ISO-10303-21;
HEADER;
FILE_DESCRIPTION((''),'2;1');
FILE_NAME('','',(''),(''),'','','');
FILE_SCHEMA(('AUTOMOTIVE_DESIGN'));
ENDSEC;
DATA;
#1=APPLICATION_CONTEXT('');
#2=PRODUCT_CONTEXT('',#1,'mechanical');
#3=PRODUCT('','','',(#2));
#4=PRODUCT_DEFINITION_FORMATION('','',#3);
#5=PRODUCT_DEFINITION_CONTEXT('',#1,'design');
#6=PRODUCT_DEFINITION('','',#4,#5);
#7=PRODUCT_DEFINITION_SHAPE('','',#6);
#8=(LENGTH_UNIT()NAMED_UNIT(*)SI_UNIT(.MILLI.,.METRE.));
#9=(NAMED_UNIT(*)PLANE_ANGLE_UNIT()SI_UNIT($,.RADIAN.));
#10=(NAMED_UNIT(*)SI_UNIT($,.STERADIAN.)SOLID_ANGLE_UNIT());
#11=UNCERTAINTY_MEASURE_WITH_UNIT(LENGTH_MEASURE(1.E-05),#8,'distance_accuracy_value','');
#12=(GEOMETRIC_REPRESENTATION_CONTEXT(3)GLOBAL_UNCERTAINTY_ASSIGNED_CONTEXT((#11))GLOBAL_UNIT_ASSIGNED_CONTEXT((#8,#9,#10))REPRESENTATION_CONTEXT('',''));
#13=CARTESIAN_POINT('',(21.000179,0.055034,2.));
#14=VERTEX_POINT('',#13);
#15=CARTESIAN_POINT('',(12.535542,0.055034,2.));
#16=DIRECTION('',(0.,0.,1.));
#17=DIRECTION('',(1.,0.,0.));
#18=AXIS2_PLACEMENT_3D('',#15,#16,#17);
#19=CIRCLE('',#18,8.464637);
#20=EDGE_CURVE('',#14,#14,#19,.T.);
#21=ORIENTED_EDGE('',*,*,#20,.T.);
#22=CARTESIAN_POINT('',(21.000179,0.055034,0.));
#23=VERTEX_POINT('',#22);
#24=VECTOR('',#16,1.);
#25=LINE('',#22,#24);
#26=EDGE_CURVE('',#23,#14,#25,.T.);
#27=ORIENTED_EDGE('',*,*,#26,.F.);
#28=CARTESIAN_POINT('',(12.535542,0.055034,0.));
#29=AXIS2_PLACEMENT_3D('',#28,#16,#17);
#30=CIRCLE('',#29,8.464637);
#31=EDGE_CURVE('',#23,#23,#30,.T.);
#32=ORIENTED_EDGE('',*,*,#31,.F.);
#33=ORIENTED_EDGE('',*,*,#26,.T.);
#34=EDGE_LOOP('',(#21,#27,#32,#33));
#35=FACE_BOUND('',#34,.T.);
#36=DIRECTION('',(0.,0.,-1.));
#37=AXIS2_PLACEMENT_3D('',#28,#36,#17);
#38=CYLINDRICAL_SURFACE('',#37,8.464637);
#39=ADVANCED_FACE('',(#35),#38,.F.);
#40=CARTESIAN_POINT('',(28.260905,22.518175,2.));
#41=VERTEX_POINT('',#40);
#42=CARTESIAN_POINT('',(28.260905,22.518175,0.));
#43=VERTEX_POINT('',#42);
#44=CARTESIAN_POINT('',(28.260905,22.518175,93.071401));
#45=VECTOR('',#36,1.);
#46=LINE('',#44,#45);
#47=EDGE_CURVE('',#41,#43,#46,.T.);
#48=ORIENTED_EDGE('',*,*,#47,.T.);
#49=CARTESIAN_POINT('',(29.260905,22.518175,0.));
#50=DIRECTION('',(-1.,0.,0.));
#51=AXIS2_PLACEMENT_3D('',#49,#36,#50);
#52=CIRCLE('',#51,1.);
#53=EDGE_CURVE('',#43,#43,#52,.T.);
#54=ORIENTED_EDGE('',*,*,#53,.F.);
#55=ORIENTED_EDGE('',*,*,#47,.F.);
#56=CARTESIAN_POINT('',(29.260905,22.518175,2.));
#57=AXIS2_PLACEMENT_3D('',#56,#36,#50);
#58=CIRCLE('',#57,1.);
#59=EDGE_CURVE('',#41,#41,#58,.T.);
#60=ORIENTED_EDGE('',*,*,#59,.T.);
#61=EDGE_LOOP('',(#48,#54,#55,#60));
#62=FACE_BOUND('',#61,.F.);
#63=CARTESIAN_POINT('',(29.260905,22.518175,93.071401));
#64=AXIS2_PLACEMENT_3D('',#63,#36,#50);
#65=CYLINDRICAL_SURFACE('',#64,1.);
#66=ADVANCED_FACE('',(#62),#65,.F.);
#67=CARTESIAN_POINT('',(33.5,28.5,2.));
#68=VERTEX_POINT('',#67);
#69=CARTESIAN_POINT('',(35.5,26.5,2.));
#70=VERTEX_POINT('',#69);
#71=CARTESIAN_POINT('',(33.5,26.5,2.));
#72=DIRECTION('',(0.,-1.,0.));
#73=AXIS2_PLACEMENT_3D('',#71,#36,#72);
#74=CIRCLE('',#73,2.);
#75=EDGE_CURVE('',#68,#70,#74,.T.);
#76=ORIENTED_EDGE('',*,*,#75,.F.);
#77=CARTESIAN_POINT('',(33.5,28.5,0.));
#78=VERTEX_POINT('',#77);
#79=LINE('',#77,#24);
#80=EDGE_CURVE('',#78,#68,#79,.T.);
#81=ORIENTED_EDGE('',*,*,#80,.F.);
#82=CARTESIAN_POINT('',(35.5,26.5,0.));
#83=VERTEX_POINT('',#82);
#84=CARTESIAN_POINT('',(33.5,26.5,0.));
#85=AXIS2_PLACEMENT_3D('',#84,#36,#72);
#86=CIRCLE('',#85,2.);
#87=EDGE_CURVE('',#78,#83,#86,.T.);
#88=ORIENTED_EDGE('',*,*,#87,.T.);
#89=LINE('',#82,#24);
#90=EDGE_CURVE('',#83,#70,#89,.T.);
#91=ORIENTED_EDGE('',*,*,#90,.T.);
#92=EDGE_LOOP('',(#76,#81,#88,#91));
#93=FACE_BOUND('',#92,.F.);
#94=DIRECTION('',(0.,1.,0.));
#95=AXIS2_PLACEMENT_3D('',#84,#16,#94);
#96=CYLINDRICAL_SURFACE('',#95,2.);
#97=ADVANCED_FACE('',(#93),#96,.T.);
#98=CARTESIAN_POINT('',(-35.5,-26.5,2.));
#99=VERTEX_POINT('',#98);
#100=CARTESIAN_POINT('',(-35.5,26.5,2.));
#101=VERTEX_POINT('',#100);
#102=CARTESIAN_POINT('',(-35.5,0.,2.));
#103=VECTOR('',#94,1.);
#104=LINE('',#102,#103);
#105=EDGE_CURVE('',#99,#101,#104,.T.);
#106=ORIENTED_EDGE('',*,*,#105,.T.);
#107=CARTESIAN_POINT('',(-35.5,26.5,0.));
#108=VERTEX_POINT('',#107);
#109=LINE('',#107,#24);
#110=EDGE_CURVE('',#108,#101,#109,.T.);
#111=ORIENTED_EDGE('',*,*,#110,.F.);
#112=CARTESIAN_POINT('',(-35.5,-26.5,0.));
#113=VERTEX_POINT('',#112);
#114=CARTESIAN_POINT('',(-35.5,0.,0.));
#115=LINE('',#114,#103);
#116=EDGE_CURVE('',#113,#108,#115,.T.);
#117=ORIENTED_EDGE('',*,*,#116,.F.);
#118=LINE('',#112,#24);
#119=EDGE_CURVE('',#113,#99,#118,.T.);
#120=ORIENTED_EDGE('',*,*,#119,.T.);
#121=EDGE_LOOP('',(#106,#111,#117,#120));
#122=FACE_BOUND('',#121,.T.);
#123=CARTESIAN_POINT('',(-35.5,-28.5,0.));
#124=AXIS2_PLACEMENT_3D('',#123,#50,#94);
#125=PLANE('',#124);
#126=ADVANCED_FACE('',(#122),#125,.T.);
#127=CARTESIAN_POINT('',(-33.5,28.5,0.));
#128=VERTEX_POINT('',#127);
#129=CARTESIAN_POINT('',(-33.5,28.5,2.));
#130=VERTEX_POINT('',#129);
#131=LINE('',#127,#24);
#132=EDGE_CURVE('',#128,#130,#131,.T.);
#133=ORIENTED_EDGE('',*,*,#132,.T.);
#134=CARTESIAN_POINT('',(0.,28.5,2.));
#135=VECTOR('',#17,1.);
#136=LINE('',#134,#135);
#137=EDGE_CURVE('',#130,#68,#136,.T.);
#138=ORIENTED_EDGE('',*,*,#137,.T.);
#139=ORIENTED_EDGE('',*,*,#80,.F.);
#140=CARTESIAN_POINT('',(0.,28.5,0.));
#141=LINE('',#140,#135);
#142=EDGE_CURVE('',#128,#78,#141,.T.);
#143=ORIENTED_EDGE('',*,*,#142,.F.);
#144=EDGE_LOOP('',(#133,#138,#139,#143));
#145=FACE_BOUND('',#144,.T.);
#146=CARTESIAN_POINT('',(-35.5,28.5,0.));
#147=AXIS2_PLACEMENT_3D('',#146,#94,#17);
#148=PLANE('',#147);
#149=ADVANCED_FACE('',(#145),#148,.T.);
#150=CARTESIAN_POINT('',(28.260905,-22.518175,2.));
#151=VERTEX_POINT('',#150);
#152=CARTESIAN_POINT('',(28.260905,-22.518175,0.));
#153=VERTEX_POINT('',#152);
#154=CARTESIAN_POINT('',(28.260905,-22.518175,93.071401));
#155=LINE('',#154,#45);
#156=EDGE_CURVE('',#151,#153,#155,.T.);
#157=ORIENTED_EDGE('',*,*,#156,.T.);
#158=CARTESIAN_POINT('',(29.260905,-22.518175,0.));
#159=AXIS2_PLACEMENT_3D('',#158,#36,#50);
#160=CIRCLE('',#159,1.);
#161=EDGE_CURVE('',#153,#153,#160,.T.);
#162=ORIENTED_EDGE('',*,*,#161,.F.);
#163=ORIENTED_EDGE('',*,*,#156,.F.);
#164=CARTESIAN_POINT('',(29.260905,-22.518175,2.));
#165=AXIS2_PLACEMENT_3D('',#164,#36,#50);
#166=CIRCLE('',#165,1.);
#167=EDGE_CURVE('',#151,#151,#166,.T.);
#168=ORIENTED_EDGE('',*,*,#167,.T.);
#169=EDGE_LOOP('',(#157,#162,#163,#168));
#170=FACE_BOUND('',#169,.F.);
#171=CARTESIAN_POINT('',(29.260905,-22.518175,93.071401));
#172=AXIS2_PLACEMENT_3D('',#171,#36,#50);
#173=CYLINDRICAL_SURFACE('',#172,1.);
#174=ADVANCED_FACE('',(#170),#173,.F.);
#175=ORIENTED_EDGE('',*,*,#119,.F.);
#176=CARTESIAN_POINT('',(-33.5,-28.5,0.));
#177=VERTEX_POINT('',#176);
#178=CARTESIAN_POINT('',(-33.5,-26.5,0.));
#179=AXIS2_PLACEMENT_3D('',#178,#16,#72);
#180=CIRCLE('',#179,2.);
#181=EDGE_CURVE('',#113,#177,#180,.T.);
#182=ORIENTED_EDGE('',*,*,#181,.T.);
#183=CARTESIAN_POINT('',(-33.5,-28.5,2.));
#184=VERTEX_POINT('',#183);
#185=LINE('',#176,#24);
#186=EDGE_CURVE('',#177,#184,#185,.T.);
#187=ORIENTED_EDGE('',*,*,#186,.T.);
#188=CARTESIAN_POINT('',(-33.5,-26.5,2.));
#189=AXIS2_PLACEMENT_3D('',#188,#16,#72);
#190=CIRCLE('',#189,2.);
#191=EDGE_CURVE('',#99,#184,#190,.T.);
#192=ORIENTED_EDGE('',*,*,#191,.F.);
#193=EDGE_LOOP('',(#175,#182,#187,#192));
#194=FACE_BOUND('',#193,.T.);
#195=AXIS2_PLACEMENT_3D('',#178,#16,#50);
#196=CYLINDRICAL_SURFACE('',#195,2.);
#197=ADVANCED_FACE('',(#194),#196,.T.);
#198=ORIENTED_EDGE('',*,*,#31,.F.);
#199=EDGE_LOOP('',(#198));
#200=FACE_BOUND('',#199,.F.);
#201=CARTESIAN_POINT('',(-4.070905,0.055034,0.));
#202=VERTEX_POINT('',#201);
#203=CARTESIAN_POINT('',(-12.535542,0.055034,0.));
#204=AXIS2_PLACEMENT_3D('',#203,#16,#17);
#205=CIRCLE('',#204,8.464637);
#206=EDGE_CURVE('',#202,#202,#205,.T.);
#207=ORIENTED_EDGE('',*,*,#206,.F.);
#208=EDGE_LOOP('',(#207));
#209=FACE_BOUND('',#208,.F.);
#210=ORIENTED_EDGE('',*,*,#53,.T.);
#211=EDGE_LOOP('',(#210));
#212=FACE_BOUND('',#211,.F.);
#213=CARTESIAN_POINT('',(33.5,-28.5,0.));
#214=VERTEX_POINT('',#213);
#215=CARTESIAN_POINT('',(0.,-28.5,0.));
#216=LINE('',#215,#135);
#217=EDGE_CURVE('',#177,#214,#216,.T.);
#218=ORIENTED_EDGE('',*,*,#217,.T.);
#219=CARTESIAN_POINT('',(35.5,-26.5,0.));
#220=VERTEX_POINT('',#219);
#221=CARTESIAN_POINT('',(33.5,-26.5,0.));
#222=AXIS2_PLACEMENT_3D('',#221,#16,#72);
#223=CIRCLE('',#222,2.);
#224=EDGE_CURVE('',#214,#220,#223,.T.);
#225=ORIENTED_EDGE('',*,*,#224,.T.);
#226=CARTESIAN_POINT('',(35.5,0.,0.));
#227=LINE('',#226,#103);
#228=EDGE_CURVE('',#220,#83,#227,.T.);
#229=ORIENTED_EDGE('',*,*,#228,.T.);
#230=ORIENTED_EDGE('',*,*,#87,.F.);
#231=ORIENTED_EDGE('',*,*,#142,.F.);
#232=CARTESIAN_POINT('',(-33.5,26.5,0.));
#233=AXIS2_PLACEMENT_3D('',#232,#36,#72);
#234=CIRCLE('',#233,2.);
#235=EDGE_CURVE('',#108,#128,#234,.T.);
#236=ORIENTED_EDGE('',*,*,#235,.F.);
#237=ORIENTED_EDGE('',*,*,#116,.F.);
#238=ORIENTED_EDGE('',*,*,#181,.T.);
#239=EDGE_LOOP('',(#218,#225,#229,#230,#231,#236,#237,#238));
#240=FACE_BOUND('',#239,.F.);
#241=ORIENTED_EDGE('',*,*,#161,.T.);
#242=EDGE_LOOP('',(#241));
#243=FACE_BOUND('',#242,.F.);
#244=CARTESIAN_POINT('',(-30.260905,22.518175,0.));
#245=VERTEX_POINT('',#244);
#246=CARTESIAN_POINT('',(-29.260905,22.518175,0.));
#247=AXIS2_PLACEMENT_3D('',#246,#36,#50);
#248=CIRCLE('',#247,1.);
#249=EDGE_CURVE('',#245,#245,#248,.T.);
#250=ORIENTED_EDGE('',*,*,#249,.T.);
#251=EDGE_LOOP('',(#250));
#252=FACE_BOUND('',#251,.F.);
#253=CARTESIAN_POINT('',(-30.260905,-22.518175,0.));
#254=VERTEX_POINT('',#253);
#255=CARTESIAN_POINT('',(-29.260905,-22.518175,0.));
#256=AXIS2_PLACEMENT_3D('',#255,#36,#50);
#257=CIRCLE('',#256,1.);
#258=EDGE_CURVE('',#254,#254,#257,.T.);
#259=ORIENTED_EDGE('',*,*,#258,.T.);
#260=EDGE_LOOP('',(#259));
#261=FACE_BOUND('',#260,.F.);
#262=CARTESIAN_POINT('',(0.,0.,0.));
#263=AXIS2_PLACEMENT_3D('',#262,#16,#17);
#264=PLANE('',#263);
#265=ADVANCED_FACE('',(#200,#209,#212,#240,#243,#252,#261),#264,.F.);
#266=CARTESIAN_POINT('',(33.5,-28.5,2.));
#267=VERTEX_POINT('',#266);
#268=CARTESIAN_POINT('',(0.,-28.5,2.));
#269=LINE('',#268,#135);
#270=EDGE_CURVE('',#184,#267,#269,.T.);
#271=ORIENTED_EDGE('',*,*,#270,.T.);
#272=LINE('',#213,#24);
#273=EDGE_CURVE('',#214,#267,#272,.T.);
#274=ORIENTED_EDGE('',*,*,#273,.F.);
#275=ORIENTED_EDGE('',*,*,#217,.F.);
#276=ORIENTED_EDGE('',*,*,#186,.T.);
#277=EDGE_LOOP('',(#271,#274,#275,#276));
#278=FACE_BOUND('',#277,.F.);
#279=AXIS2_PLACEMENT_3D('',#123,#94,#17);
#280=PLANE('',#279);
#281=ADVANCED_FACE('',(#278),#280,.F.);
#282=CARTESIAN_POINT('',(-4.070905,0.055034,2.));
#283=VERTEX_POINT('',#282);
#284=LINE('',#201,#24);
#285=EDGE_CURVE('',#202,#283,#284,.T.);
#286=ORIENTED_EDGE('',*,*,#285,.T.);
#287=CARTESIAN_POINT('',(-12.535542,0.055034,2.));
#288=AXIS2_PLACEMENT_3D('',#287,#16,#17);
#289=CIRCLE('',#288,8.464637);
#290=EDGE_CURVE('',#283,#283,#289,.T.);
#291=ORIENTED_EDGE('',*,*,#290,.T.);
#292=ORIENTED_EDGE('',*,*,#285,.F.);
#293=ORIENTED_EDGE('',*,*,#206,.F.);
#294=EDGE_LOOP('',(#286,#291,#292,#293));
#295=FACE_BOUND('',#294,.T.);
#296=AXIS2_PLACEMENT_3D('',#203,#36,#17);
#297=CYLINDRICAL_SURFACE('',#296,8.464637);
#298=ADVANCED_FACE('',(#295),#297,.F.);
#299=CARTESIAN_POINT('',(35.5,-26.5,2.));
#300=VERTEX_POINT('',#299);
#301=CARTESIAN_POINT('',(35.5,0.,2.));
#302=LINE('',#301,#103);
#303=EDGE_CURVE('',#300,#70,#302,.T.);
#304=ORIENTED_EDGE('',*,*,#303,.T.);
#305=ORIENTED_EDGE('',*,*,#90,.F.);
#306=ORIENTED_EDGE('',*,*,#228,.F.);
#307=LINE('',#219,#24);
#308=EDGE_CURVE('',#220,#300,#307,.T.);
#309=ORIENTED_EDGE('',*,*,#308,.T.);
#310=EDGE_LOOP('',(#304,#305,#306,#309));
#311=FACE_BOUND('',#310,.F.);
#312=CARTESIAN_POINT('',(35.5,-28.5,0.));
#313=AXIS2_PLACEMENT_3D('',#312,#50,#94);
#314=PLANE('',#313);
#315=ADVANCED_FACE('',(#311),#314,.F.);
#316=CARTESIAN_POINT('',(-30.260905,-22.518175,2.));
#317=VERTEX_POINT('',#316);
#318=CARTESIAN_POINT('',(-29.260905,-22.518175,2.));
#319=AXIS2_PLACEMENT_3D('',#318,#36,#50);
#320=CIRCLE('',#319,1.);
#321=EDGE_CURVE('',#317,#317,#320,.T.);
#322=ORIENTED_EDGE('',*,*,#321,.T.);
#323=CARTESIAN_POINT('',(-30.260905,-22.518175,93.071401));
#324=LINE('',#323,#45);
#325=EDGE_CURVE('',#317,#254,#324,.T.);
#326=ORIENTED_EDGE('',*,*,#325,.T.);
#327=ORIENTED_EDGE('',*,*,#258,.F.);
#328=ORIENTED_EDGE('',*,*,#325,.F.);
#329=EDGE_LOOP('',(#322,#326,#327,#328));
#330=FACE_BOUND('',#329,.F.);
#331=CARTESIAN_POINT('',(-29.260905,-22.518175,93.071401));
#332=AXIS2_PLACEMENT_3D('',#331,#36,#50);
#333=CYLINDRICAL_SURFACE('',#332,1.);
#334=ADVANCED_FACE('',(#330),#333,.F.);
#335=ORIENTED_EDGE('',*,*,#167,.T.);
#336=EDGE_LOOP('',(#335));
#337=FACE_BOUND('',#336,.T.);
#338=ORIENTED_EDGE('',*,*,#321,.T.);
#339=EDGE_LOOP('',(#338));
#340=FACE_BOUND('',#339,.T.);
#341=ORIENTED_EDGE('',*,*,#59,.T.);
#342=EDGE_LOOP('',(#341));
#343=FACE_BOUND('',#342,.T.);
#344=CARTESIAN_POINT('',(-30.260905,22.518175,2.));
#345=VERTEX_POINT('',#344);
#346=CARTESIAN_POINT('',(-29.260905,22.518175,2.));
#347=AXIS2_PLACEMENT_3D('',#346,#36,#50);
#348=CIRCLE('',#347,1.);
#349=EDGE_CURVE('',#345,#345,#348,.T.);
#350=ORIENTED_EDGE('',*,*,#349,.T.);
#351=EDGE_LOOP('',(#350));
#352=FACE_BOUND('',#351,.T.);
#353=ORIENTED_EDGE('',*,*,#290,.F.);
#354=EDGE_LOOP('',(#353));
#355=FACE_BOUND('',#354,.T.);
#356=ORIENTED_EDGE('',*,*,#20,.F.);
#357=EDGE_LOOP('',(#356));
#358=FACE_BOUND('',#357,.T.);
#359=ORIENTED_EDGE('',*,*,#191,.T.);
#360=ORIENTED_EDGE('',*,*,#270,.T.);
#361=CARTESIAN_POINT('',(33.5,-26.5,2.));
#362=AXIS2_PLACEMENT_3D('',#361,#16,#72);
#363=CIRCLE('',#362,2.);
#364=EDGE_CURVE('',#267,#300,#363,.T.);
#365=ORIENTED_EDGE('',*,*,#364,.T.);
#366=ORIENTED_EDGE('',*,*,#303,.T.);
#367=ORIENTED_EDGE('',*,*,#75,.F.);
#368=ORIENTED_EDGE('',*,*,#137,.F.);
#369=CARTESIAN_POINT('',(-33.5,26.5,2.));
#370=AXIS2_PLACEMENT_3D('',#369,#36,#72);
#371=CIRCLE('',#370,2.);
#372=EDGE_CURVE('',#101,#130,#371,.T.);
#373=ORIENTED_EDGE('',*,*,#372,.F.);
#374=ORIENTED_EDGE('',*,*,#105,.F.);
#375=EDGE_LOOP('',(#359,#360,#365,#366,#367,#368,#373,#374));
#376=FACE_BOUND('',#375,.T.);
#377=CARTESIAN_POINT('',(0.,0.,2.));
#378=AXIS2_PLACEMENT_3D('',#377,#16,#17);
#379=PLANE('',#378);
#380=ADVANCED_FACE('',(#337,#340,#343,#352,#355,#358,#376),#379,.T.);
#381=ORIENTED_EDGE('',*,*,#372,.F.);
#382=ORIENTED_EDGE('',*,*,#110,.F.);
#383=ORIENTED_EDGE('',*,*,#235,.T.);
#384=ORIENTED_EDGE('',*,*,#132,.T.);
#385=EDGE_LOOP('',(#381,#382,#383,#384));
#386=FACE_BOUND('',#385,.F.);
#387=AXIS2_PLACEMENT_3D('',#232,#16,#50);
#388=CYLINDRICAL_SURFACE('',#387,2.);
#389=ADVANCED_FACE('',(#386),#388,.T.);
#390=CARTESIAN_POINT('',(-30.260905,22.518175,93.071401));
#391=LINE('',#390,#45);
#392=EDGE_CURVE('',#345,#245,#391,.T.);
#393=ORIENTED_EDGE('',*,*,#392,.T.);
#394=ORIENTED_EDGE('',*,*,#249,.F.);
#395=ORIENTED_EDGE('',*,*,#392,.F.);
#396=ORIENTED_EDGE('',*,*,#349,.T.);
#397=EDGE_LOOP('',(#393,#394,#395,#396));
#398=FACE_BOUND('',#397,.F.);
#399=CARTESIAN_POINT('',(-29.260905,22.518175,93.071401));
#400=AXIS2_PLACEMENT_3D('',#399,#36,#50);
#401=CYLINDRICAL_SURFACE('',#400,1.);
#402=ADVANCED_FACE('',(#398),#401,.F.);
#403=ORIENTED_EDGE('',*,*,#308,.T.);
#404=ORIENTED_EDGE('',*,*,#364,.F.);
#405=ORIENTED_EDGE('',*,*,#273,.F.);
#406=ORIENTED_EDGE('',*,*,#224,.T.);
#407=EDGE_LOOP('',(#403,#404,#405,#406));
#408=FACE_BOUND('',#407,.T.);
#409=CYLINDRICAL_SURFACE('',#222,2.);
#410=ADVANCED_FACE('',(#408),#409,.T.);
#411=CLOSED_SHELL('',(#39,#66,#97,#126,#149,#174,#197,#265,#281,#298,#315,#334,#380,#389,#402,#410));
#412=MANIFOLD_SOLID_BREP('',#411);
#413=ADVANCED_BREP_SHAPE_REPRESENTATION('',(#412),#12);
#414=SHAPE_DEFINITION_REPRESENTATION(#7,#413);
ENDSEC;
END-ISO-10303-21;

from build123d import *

# Parameters (mm, degrees)
F0_W     = 71
F0_H     = 57
F0_R     = 8.464637
F1_DEPTH = 2
F2_R     = 2
F4_D     = 2


with BuildPart() as f1:
    # F0 (on Top) → F1 (new body)
    with BuildSketch(Plane.XY):
        Rectangle(F0_W, F0_H)
        with Locations((-12.535542, 0.055034)):
            Circle(F0_R, mode=Mode.SUBTRACT)
        with Locations((12.535542, 0.055034)):
            Circle(F0_R, mode=Mode.SUBTRACT)
    extrude(amount=F1_DEPTH)

    # F2
    f2_edges = [f1.edges().sort_by_distance(p)[0] for p in [
        (-35.5, 28.5, 1),
        (35.5, 28.5, 1),
        (35.5, -28.5, 1),
        (-35.5, -28.5, 1),
    ]]
    fillet(f2_edges, radius=F2_R)

    # F4 (through all)
    with Locations(Plane.XY.offset(2)):
        with Locations((-29.260905, 22.518175), (29.260905, 22.518175), (-29.260905, -22.518175), (29.260905, -22.518175)):
            Hole(F4_D / 2)


solid = f1.part
